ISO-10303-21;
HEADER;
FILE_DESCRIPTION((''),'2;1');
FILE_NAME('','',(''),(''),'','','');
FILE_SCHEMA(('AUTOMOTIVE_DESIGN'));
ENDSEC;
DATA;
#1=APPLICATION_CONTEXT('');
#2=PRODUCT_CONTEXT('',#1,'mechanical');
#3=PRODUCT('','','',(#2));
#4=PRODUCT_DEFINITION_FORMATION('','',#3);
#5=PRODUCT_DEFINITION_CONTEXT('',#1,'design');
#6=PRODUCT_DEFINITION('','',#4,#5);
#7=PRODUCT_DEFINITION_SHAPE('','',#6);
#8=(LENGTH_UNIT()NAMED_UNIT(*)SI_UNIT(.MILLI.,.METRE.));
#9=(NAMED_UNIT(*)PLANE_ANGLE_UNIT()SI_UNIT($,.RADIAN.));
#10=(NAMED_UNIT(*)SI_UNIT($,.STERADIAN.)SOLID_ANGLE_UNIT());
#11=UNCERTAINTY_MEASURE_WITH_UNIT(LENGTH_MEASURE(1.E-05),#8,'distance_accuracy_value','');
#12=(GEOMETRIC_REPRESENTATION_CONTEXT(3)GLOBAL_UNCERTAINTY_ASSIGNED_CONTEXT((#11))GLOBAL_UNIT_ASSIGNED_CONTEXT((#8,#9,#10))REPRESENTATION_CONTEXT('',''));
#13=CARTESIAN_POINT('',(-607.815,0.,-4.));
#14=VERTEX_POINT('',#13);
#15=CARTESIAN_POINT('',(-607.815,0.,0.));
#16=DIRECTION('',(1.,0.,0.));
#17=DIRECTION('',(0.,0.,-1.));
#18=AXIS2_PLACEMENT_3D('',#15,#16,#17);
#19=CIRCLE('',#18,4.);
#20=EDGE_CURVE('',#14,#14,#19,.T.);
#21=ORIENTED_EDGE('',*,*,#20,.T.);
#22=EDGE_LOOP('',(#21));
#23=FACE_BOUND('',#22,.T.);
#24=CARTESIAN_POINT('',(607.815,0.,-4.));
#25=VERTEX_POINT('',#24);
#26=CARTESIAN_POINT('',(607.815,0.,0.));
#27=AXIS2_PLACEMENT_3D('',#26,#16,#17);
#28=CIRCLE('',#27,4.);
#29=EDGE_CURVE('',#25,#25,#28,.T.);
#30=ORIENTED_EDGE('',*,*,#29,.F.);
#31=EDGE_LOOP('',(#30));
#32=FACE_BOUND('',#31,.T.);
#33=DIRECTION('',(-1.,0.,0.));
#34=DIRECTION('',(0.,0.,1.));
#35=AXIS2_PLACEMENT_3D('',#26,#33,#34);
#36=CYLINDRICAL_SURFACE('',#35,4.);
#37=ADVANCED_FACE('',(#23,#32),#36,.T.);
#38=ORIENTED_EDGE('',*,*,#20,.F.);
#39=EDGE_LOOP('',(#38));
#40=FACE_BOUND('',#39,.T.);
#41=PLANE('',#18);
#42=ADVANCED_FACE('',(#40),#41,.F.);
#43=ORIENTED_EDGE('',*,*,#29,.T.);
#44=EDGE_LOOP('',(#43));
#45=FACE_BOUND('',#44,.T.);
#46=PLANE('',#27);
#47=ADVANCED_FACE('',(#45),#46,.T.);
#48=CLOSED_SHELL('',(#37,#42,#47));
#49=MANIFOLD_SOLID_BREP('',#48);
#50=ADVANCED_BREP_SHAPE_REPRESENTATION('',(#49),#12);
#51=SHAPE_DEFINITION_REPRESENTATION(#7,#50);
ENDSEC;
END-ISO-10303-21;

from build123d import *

# Parameters (mm, degrees)
CROQUIS1_R              = 4
SALIENTE_EXTRUIR1_DEPTH = 607.815


with BuildPart() as part:
    # Croquis1 → Saliente-Extruir1 (new, symmetric)
    with BuildSketch(Plane(origin=(0, 0, 0), x_dir=(0, 0, -1), z_dir=(1, 0, 0))):
        Circle(CROQUIS1_R)
    extrude(amount=SALIENTE_EXTRUIR1_DEPTH, both=True)


solid = part.part
